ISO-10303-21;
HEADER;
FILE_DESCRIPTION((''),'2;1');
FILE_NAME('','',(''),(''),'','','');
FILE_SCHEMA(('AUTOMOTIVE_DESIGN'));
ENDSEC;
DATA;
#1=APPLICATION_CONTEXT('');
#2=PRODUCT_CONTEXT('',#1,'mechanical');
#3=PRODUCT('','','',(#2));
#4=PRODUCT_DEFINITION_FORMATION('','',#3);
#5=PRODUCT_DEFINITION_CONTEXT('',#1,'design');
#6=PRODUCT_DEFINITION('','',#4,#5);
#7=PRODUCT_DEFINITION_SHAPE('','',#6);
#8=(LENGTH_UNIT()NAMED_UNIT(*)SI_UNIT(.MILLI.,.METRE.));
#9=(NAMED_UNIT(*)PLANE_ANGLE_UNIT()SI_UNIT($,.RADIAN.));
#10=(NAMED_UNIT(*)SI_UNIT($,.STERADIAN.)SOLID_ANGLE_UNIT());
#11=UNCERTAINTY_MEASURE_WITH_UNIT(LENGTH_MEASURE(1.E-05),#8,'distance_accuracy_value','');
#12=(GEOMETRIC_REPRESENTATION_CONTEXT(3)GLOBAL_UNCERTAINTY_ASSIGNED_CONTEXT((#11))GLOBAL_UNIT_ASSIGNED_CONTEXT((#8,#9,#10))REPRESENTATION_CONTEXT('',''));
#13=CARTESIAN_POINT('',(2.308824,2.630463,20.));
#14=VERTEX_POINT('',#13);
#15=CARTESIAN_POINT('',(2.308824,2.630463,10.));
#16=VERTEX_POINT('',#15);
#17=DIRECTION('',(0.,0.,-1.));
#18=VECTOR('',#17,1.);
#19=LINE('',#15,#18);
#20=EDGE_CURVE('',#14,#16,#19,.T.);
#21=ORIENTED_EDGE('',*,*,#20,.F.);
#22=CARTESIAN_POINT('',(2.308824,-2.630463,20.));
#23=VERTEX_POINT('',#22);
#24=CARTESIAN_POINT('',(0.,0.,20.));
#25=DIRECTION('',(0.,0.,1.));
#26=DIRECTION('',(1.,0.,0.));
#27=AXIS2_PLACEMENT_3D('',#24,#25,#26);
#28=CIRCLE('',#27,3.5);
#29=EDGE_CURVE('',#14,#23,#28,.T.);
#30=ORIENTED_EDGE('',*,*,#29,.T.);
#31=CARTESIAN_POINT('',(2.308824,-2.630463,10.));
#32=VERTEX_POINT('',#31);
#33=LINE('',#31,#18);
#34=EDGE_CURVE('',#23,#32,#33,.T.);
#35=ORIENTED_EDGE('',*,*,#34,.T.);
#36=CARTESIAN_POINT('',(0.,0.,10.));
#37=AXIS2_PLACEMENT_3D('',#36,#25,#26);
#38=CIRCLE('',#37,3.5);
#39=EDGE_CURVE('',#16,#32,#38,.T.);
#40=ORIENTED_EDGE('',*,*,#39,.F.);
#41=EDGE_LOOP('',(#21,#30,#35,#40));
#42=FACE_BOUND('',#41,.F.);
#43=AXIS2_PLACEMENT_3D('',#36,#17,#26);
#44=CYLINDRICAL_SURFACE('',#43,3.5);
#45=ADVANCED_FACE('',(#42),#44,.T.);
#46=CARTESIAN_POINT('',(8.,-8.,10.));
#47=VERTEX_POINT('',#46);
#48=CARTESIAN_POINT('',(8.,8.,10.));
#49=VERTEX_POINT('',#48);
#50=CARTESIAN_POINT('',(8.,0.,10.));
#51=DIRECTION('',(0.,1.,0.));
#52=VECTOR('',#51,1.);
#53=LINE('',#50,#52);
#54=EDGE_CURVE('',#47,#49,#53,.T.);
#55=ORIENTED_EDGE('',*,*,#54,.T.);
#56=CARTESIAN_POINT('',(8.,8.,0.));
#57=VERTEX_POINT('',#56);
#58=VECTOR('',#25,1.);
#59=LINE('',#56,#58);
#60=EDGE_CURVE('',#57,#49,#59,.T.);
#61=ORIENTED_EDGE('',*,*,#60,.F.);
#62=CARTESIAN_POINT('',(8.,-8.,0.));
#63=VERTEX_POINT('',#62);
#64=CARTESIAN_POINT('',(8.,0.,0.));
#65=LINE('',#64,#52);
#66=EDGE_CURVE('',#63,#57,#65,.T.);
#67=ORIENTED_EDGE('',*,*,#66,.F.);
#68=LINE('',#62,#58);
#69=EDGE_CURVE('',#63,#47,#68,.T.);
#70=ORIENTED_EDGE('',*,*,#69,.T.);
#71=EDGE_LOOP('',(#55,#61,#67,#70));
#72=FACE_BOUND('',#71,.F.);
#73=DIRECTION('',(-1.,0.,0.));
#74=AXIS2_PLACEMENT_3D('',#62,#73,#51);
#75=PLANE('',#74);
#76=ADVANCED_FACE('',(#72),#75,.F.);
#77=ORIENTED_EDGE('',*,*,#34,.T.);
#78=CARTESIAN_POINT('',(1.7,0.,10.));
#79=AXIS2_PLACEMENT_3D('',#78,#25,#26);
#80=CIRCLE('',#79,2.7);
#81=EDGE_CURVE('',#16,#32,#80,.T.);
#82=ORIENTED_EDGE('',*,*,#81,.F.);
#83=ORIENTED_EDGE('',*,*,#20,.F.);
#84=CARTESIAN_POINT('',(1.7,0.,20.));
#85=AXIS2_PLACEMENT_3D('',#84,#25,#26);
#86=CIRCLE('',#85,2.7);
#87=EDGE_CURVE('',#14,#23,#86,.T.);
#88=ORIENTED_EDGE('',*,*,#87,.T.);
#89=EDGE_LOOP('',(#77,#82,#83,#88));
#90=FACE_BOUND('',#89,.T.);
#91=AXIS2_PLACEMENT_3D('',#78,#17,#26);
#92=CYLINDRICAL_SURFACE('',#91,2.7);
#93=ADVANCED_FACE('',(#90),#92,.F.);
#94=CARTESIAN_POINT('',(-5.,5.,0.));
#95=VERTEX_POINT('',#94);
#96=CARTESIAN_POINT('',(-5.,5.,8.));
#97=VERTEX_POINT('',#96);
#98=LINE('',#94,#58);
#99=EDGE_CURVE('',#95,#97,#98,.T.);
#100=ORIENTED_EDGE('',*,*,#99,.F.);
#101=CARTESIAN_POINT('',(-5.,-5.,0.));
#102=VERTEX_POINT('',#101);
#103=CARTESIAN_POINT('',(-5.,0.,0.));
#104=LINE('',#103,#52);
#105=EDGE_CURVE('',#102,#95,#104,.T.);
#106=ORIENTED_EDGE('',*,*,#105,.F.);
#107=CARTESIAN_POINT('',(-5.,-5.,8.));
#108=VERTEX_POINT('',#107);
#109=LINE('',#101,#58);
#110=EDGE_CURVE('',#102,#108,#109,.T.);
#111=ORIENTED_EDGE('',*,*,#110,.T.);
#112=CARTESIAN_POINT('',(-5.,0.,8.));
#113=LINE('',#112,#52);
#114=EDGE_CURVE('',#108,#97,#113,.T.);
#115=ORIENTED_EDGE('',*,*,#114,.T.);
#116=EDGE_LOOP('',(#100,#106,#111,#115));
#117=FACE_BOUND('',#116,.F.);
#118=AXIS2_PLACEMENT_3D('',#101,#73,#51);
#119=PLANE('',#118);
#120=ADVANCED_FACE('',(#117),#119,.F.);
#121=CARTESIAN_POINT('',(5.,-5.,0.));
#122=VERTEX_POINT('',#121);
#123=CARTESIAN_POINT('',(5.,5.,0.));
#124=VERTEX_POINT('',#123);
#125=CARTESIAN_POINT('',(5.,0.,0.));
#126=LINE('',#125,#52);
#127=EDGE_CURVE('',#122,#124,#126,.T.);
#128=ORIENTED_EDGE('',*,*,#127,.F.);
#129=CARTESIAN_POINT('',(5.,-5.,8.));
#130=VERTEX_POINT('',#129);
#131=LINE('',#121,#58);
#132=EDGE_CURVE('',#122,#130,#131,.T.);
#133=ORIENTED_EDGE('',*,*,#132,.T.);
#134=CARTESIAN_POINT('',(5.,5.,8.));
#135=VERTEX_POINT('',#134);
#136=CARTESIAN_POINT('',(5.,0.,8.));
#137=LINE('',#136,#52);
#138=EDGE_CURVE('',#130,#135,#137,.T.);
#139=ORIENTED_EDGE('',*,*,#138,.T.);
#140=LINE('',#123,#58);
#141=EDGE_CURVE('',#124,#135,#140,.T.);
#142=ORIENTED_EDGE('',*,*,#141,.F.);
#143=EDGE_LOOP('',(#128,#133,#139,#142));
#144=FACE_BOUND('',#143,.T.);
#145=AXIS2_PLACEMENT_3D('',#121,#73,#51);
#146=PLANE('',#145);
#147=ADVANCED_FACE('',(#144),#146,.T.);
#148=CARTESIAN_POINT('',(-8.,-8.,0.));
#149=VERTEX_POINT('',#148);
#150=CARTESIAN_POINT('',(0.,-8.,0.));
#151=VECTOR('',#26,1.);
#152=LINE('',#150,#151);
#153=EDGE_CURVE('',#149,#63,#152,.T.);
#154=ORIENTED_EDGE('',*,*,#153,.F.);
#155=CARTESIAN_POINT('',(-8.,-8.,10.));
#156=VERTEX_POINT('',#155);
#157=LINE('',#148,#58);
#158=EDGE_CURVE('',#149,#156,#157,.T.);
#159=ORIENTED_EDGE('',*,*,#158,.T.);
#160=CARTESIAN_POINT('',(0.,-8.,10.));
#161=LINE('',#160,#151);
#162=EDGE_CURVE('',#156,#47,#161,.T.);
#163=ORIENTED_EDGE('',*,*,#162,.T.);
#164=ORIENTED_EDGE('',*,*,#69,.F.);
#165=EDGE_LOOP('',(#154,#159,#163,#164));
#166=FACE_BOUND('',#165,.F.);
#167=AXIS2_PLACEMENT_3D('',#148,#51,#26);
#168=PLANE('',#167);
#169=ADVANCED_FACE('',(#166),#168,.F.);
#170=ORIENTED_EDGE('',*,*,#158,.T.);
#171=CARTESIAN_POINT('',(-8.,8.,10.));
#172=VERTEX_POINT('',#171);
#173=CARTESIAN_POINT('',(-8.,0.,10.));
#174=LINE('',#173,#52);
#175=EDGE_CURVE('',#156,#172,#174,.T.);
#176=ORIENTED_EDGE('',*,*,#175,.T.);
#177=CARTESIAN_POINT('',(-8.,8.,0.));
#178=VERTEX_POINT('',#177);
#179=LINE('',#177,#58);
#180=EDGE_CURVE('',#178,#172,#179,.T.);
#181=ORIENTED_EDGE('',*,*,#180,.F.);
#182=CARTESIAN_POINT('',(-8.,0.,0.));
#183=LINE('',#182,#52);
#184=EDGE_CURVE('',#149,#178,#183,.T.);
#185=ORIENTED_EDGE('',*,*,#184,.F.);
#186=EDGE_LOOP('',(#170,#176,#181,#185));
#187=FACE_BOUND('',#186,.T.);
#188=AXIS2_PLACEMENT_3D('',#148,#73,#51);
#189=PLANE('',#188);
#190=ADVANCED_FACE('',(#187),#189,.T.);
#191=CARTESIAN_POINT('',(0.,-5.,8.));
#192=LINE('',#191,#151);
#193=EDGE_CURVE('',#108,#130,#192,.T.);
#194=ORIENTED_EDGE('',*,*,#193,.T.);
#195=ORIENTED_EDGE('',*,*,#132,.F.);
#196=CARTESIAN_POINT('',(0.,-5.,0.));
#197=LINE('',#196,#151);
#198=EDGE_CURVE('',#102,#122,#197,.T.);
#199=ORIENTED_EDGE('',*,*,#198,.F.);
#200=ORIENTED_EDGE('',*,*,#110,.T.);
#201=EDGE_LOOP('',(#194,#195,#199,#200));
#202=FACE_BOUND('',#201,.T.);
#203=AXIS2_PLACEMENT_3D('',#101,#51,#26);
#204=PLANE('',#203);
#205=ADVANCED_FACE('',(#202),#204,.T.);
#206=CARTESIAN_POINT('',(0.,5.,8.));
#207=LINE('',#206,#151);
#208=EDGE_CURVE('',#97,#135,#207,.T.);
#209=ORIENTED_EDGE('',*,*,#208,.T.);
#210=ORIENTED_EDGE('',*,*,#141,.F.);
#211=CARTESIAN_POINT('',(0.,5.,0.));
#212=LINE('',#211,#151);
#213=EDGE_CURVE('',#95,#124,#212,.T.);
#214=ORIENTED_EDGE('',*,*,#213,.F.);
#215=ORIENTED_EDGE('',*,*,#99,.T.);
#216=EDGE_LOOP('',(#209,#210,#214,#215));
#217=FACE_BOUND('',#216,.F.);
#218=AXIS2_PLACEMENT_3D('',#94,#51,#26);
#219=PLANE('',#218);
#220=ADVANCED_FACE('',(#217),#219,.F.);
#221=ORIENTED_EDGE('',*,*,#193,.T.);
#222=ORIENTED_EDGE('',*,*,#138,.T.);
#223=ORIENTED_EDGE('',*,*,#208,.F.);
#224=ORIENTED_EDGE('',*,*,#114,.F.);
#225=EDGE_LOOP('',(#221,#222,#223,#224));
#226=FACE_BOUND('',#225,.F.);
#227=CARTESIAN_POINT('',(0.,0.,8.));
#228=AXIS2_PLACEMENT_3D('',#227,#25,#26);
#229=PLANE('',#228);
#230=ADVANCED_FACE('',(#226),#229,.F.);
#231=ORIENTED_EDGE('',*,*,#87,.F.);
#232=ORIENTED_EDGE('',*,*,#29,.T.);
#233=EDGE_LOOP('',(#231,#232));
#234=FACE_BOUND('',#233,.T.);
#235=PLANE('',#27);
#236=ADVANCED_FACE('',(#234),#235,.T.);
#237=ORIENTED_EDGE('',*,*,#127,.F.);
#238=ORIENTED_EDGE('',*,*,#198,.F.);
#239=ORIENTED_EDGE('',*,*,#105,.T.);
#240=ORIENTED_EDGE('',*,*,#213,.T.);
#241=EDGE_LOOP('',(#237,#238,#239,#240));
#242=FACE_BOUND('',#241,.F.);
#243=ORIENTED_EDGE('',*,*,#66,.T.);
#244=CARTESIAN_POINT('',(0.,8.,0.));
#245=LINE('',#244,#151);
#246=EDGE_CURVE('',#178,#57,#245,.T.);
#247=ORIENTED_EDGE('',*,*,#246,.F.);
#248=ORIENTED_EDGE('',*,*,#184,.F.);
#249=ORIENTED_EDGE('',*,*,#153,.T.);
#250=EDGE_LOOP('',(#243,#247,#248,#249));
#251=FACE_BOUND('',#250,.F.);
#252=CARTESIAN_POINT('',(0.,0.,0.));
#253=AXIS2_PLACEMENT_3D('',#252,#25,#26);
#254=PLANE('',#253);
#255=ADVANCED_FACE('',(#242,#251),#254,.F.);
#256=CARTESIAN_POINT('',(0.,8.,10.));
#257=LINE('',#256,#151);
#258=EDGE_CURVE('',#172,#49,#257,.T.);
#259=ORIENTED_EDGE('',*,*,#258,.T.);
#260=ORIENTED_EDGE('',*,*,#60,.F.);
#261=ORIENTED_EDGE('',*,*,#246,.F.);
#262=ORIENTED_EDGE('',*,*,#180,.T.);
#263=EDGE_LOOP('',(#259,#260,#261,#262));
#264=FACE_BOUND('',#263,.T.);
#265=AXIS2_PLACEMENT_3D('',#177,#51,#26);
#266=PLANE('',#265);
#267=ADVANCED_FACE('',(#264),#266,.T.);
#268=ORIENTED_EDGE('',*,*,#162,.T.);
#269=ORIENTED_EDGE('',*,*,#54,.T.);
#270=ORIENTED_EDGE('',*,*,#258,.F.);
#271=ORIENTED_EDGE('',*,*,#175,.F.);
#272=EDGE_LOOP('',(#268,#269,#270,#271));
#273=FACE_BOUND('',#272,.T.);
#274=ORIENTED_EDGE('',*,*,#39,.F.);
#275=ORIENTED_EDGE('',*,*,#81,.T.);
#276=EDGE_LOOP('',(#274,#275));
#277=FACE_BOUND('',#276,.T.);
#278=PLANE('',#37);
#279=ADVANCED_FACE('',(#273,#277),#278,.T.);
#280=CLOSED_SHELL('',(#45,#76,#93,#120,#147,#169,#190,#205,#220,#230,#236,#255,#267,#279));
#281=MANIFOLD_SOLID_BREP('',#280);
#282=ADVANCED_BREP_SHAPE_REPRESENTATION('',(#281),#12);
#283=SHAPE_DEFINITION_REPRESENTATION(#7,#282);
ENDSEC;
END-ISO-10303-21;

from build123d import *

# Parameters (mm, degrees)
BOX001_W          = 10
BOX001_H          = 10
BOX001_DEPTH      = 8
CYLINDER_R        = 2.7
CYLINDER_DEPTH    = 10
CYLINDER001_R     = 3.5
CYLINDER001_DEPTH = 10
BOX_W             = 16
BOX_H             = 16
BOX_DEPTH         = 10


with BuildPart() as cube001:
    # Box001 → Box001 (new body)
    with BuildSketch(Plane(origin=(-5, -5, 0), x_dir=(1, 0, 0), z_dir=(0, 0, 1))):
        with Locations((5, 5)):
            Rectangle(BOX001_W, BOX001_H)
    extrude(amount=BOX001_DEPTH)


with BuildPart() as cylinder:
    # Cylinder → Cylinder (new body)
    with BuildSketch(Plane(origin=(1.7, 0, 10), x_dir=(1, 0, 0), z_dir=(0, 0, 1))):
        Circle(CYLINDER_R)
    extrude(amount=CYLINDER_DEPTH)


with BuildPart() as cut:
    # Cylinder001 → Cylinder001 (new body)
    with BuildSketch(Plane.XY.offset(10)):
        Circle(CYLINDER001_R)
    extrude(amount=CYLINDER001_DEPTH)

    # Cut: cut Cylinder
    add(cylinder.part, mode=Mode.SUBTRACT)


with BuildPart() as cut001:
    # Box → Box (new body)
    with BuildSketch(Plane(origin=(-8, -8, 0), x_dir=(1, 0, 0), z_dir=(0, 0, 1))):
        with Locations((8, 8)):
            Rectangle(BOX_W, BOX_H)
    extrude(amount=BOX_DEPTH)

    # Fusion: union Cut
    add(cut.part)

    # Cut001: cut Cube001
    add(cube001.part, mode=Mode.SUBTRACT)


solid = cut001.part
